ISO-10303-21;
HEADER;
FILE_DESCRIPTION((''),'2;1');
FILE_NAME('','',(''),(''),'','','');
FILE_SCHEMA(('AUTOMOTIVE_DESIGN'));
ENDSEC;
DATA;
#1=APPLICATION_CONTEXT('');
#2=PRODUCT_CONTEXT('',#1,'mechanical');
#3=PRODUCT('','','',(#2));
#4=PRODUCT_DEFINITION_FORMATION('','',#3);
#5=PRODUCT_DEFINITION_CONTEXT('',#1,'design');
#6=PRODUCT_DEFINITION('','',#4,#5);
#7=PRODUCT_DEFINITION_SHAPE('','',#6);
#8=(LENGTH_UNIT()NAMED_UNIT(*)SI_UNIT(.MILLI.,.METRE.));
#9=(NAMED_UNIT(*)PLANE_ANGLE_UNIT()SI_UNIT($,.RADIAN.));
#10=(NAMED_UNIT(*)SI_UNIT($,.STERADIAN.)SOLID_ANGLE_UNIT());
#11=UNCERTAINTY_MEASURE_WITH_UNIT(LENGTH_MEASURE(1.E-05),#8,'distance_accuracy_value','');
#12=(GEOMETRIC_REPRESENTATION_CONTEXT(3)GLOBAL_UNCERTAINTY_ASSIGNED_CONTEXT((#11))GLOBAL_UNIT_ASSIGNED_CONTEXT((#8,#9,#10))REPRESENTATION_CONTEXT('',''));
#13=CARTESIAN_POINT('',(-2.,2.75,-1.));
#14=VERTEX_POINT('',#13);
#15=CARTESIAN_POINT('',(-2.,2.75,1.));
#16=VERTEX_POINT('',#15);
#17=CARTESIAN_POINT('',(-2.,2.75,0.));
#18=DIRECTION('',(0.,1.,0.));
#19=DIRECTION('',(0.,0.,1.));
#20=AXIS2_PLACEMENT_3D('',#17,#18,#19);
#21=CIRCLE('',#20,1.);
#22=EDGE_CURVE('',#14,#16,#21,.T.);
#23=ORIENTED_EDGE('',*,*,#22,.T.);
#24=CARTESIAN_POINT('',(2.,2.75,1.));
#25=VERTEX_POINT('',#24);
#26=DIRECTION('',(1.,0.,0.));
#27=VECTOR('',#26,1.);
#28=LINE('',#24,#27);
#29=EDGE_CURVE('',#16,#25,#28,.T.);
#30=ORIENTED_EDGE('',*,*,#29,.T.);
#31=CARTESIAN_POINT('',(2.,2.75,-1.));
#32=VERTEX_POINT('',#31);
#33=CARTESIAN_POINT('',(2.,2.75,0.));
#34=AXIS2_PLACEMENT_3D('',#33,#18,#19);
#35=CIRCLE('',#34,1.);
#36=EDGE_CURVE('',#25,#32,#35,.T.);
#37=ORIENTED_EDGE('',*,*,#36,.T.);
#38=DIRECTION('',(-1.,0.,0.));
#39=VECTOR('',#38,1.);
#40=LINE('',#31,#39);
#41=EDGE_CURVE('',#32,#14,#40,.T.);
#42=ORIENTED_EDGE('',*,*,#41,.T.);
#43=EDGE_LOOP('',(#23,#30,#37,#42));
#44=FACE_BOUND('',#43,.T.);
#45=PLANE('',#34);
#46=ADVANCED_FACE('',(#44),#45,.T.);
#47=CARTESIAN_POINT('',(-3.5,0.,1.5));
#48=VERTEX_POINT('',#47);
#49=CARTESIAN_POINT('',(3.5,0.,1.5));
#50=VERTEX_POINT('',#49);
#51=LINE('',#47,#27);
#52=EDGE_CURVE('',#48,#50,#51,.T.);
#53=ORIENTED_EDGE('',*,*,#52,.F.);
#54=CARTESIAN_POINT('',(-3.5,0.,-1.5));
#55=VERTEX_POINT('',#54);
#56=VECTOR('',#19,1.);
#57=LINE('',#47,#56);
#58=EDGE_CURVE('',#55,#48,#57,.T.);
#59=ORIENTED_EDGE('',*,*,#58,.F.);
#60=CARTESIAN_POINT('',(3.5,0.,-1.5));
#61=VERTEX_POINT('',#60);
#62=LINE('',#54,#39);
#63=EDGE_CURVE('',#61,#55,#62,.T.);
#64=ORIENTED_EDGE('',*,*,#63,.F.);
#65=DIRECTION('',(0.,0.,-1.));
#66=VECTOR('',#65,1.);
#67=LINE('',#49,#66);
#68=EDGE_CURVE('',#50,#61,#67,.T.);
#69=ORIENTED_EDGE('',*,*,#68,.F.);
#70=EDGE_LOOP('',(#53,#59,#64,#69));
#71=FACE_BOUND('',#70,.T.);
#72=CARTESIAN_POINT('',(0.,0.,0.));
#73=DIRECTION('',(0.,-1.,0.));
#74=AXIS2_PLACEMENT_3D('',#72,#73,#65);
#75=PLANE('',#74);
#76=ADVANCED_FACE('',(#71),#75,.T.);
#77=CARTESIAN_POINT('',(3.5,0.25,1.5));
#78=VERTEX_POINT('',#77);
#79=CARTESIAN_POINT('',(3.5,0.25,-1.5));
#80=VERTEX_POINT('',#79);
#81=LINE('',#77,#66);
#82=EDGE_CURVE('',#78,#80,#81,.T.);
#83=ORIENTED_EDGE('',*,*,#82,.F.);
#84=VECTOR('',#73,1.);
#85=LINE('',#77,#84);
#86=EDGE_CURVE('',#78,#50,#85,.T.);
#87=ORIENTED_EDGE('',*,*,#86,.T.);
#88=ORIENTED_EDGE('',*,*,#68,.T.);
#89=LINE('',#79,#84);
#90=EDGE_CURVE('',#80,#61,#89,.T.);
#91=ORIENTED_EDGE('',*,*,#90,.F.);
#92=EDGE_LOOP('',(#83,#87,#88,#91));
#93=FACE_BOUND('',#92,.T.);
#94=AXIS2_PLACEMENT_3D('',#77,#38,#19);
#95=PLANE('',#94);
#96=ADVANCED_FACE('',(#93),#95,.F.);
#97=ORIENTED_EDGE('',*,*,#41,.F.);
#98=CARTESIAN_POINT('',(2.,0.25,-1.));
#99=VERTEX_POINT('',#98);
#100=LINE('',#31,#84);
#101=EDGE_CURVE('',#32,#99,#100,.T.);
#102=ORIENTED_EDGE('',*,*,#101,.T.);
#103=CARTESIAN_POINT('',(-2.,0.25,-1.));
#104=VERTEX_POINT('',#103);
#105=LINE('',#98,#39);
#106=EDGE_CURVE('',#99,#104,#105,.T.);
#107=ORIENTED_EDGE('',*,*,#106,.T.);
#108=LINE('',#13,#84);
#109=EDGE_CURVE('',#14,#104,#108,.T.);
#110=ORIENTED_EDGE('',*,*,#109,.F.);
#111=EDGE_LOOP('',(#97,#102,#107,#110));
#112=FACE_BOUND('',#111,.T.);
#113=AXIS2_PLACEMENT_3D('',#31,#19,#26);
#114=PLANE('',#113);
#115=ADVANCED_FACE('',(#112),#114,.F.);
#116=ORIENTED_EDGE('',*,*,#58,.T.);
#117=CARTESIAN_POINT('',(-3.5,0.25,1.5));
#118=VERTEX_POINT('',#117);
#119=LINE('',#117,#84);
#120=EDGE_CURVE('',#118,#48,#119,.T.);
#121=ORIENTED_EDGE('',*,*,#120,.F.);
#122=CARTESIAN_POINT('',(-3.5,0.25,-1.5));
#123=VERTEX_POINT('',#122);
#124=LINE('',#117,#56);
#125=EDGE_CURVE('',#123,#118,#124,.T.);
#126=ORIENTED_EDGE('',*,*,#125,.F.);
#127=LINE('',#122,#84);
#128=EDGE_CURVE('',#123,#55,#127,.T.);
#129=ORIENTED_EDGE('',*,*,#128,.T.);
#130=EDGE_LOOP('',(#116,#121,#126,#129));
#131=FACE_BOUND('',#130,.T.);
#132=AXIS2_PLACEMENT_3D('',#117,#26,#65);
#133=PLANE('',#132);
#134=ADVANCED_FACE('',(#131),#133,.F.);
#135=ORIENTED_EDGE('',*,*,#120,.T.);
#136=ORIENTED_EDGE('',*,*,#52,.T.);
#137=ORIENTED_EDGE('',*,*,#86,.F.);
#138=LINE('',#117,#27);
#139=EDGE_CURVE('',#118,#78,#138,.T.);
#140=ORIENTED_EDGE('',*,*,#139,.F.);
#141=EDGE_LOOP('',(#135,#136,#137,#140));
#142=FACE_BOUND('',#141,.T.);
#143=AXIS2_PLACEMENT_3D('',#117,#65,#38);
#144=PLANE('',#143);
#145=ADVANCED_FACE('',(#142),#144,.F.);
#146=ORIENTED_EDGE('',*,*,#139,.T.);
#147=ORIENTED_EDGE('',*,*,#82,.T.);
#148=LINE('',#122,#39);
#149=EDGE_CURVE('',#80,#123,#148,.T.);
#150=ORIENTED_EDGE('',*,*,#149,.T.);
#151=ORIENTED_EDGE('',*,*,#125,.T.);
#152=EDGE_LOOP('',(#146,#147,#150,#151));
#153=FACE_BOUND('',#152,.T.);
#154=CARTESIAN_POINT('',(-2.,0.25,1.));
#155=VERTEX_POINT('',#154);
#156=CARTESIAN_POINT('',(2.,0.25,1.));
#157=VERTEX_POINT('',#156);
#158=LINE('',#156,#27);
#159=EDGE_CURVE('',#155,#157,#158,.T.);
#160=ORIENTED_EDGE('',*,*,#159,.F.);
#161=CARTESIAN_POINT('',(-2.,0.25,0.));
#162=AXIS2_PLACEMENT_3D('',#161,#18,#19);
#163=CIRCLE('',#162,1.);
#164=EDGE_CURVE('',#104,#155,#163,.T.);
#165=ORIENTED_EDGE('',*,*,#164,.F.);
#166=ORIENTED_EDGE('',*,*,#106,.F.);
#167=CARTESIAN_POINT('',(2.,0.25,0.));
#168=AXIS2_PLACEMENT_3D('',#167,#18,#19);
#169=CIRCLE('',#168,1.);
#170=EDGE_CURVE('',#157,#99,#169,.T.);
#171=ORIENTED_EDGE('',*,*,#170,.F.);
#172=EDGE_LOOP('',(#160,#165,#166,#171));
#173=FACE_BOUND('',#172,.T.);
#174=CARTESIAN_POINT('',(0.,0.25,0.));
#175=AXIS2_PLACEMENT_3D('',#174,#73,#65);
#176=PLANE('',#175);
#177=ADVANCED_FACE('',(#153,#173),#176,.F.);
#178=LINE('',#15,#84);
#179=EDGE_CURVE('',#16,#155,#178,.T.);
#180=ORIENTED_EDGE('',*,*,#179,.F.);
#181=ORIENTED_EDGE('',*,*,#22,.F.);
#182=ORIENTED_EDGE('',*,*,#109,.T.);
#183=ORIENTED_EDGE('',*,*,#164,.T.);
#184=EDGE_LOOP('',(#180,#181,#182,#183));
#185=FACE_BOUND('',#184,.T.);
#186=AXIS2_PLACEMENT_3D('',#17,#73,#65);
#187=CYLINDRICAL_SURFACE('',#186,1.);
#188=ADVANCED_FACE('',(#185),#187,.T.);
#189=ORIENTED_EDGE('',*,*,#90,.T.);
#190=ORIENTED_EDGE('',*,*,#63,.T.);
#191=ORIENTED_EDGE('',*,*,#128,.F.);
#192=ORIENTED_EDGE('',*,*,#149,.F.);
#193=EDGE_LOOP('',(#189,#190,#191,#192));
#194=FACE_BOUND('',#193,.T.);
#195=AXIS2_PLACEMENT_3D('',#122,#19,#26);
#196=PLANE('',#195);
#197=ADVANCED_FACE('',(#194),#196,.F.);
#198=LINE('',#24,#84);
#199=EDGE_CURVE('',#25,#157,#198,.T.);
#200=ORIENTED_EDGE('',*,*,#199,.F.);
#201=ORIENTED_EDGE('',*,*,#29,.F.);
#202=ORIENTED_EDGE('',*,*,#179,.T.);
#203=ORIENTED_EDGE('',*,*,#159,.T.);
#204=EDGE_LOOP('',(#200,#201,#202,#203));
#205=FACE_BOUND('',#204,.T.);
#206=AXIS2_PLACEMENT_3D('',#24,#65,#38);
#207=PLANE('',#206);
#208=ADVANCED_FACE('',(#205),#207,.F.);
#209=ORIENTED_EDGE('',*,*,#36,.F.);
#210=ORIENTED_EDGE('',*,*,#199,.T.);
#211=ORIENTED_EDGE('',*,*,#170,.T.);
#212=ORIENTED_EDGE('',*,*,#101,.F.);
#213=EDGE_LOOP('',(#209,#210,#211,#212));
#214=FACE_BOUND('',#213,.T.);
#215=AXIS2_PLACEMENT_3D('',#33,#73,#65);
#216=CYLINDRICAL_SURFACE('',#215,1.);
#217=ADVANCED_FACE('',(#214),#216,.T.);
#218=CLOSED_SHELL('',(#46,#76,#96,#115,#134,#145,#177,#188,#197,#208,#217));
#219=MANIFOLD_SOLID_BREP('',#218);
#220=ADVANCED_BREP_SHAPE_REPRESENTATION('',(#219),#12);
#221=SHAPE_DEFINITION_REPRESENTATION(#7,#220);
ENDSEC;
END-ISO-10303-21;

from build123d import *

# Parameters (mm, degrees)
SKETCH1_W           = 7
SKETCH1_H           = 3
BOSS_EXTRUDE1_DEPTH = 0.25
BOSS_EXTRUDE2_DEPTH = 2.5


with BuildPart() as part:
    # Sketch1 → Boss-Extrude1 (new body)
    with BuildSketch(Plane(origin=(0, 0, 0), x_dir=(1, 0, 0), z_dir=(0, 1, 0))):
        Rectangle(SKETCH1_W, SKETCH1_H)
    extrude(amount=BOSS_EXTRUDE1_DEPTH)

    # Sketch2 → Boss-Extrude2 (add)
    with BuildSketch(Plane(origin=(0, 0.25, 0), x_dir=(1, 0, 0), z_dir=(0, 1, 0))):
        with BuildLine():
            Line((2, -1), (-2, -1))
            ThreePointArc((-2, -1), (-3, 0), (-2, 1))
            Line((-2, 1), (2, 1))
            ThreePointArc((2, 1), (3, 0), (2, -1))
        make_face()
    extrude(amount=BOSS_EXTRUDE2_DEPTH)


solid = part.part
